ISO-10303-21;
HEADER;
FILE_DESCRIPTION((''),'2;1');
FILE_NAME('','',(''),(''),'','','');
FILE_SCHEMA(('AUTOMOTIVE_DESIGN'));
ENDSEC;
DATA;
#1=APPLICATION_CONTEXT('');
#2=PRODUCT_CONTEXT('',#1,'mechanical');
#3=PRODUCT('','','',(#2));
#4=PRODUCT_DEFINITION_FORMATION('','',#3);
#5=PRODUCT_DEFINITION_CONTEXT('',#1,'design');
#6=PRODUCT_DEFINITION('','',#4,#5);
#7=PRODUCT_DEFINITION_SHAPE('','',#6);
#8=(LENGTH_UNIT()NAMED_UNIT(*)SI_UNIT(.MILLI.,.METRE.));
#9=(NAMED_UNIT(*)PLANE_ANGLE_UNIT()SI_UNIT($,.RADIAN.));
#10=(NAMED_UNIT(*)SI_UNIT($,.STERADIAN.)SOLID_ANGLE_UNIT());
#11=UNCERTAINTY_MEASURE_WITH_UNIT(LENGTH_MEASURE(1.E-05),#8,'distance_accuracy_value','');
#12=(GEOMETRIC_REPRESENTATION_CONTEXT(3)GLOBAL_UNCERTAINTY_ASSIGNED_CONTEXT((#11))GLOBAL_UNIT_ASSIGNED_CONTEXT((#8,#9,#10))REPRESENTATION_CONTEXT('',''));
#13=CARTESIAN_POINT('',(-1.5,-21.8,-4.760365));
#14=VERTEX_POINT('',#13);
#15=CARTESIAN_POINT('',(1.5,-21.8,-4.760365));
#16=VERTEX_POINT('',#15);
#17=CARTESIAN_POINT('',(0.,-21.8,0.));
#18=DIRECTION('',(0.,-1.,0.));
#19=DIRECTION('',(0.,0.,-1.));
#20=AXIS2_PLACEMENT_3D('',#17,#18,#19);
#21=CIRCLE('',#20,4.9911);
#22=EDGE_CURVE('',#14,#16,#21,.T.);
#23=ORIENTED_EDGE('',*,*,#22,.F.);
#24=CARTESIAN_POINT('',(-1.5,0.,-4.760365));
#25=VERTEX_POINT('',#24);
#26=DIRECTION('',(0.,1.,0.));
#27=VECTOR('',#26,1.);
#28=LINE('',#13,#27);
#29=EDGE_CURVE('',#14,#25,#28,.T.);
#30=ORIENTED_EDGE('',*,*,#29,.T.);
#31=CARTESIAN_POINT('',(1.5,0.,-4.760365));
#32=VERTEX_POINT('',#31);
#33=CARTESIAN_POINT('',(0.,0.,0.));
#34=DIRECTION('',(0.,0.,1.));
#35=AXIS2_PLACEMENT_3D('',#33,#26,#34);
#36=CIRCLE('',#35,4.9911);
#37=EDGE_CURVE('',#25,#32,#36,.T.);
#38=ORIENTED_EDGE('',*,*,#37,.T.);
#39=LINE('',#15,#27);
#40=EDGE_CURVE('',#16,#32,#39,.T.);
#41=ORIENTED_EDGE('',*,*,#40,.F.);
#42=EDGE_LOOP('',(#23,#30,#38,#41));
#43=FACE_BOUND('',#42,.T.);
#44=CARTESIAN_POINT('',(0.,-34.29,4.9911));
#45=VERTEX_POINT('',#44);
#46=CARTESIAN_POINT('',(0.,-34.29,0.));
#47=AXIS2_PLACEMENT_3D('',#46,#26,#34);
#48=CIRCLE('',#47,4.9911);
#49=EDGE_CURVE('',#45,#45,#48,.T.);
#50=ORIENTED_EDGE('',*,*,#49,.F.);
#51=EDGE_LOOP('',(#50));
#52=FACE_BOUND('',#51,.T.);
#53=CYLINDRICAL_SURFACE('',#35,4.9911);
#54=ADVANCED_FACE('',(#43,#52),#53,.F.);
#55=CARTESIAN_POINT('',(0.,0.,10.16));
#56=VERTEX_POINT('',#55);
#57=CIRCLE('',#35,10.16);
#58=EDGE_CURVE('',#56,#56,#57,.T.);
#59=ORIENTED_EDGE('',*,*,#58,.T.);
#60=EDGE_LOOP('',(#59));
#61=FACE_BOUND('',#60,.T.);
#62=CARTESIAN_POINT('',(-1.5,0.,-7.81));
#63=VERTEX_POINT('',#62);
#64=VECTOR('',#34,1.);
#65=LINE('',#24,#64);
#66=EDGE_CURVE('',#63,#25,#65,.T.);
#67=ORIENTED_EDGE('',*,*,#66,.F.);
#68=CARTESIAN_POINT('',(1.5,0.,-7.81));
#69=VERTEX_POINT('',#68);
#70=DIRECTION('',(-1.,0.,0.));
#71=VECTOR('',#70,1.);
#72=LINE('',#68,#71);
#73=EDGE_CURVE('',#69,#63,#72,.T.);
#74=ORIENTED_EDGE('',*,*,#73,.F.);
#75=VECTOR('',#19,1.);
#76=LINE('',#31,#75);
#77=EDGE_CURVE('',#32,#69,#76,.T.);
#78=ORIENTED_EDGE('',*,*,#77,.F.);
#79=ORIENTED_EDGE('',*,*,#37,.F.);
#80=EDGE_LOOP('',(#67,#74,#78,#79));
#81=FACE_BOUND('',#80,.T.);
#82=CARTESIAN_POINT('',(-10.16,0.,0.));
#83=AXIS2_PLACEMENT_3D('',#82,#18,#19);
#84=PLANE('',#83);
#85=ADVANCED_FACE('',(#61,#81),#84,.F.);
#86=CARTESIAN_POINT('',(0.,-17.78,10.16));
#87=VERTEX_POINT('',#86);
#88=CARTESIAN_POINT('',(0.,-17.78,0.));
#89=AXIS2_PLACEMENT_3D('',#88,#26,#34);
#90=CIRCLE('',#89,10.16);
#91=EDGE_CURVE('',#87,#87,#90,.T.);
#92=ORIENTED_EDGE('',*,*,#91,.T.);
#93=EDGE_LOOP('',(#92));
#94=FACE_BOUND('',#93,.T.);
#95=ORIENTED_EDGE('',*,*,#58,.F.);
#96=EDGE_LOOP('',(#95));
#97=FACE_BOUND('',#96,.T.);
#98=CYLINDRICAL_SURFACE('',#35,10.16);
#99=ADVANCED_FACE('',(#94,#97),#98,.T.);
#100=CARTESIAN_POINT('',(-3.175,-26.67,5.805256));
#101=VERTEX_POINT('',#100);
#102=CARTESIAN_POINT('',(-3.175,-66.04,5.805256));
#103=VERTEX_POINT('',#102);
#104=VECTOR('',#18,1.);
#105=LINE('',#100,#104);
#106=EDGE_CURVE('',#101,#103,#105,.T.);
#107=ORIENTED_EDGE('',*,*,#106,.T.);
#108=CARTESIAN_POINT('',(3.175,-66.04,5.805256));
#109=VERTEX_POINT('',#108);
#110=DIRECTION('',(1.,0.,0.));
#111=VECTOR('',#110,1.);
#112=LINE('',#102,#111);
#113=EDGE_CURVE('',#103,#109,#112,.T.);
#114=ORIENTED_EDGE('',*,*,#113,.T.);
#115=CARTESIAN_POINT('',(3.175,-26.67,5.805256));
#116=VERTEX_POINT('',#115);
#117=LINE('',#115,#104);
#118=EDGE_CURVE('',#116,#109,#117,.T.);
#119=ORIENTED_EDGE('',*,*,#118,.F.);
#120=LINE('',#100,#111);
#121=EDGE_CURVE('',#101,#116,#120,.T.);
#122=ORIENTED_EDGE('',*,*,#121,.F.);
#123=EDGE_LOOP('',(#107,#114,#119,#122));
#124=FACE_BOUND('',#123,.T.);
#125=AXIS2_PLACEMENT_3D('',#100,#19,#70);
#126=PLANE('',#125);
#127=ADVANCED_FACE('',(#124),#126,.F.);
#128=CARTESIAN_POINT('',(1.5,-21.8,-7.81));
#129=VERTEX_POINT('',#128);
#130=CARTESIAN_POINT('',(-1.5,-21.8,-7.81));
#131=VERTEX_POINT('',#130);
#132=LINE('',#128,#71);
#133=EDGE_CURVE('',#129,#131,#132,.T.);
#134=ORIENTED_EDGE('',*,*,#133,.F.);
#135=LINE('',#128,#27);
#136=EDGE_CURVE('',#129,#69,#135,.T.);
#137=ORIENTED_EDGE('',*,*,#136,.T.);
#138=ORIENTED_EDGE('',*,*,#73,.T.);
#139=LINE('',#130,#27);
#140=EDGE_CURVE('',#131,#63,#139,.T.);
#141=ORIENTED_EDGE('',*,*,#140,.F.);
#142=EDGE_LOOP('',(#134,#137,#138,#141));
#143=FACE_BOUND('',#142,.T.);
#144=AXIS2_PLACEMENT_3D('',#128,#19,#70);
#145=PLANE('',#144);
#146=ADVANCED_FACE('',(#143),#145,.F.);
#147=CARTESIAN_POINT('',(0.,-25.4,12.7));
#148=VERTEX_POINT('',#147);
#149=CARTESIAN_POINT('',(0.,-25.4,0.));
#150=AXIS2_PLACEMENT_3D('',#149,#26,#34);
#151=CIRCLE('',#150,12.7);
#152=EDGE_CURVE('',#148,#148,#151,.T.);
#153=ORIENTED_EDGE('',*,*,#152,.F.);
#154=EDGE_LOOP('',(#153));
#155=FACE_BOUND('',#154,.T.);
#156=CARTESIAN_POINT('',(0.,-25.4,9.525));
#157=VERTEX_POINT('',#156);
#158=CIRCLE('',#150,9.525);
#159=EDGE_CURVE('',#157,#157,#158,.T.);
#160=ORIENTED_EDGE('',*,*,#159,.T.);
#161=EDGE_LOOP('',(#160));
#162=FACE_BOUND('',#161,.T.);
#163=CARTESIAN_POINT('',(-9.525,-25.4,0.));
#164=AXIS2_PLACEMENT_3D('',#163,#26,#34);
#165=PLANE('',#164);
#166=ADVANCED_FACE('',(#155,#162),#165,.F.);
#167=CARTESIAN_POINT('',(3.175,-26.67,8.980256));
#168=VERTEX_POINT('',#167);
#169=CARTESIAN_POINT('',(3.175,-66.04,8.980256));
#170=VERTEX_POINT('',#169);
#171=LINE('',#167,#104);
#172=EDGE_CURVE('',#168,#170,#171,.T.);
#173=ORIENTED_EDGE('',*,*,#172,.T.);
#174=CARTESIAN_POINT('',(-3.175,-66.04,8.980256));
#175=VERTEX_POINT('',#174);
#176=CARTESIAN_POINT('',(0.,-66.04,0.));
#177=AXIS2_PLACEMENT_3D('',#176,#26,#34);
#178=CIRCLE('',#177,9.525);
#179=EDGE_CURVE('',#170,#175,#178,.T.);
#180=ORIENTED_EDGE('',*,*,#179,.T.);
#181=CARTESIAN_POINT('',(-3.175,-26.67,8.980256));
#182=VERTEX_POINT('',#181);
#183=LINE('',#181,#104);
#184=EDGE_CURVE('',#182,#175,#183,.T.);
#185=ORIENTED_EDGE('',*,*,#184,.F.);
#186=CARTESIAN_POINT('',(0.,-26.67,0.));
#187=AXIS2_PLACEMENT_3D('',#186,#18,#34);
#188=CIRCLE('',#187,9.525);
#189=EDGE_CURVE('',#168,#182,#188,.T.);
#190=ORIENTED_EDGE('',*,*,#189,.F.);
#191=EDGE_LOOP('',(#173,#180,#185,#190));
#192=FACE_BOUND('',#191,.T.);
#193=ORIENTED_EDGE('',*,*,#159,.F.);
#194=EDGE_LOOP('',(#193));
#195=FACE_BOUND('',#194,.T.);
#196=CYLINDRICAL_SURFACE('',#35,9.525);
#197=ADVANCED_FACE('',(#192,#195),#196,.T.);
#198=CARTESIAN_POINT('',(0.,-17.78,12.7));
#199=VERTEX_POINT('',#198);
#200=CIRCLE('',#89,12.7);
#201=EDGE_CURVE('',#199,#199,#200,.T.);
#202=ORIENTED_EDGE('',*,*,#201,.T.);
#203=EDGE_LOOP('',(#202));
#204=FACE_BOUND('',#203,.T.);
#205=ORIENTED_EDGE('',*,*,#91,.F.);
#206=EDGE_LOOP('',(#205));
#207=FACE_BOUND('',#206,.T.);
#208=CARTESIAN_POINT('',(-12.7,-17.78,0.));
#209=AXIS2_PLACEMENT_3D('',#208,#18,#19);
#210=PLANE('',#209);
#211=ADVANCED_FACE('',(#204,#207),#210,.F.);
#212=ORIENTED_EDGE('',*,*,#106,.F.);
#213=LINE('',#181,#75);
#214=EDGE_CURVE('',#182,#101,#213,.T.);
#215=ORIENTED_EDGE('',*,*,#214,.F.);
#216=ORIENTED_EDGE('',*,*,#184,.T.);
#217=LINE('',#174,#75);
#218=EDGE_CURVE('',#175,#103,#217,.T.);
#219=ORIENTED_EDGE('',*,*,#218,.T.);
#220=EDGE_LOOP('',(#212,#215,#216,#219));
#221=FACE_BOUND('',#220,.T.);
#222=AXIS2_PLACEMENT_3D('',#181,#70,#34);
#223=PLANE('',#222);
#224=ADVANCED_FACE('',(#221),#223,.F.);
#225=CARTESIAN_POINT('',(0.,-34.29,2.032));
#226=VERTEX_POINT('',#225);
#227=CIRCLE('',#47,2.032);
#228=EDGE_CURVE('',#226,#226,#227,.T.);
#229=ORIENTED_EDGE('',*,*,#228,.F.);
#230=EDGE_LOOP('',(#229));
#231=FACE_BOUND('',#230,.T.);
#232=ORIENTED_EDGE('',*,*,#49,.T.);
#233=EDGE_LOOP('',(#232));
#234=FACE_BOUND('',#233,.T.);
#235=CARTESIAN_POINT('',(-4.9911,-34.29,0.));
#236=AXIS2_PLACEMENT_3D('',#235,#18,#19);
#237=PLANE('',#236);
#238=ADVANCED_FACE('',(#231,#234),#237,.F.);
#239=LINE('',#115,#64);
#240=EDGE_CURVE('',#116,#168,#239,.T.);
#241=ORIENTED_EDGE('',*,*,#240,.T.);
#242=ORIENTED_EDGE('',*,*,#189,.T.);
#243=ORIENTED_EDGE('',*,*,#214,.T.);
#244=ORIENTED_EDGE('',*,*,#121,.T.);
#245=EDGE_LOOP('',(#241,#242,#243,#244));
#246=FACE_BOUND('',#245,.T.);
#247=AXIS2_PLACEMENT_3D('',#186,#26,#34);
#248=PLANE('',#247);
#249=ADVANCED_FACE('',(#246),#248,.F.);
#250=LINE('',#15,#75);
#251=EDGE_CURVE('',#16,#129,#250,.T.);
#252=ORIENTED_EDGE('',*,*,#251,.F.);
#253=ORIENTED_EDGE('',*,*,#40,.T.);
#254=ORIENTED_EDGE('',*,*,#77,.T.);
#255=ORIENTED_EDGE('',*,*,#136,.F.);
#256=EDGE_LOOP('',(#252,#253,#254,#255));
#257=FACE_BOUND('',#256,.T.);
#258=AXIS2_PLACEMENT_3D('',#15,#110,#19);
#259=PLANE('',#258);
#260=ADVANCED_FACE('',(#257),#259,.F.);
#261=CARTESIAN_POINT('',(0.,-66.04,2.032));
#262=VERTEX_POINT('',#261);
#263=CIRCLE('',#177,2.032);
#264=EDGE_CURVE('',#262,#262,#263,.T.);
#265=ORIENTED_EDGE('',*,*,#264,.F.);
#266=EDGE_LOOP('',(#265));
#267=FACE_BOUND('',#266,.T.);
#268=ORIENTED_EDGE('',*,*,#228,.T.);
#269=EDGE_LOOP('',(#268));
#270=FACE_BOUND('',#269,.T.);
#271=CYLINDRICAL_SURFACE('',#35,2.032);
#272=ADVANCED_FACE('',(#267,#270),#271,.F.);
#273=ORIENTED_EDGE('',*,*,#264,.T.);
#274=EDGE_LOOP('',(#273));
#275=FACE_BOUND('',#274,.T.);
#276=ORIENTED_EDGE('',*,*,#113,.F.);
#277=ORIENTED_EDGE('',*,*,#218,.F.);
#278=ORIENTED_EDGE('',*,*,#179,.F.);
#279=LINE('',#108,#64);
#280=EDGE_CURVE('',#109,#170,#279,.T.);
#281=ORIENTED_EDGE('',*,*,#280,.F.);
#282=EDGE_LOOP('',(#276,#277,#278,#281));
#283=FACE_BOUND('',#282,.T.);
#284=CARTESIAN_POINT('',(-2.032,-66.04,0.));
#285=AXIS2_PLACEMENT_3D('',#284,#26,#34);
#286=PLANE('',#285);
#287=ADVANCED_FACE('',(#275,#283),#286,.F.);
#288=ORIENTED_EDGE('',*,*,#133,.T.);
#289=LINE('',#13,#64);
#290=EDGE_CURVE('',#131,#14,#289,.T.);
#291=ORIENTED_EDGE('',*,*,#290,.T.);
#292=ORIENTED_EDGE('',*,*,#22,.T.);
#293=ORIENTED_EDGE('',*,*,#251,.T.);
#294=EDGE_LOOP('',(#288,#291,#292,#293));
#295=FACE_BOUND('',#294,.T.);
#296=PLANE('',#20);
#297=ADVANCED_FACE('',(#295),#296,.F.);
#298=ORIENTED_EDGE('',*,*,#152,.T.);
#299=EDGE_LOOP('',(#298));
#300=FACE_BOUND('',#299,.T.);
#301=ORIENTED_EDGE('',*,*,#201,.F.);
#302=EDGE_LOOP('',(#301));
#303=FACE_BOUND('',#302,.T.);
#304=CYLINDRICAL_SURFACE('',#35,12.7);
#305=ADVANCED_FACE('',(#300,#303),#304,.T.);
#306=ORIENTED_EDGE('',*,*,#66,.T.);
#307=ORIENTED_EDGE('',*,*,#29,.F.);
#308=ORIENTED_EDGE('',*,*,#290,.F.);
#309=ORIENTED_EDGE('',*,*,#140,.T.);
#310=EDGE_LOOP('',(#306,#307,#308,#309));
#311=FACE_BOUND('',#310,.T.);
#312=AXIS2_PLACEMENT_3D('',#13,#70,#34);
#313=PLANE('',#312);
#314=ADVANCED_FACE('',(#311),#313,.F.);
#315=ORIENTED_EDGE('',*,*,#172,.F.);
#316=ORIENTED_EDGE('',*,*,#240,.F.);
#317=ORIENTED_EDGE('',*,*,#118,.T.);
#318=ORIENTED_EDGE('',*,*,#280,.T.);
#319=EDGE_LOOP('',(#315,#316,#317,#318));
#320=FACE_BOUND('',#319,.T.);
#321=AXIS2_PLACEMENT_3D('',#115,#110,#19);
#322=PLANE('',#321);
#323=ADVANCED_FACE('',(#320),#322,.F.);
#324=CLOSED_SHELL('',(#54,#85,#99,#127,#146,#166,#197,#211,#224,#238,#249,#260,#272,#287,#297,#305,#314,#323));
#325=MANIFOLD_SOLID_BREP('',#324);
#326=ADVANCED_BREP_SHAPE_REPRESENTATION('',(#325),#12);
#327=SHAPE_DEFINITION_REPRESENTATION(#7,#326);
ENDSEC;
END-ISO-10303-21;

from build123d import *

# Parameters (mm, degrees)
CUT_EXTRUDE1_DEPTH = 21.8
CUT_EXTRUDE2_DEPTH = 39.37


with BuildPart() as part:
    # Sketch2 → Revolve1 (revolve)
    with BuildSketch(Plane.XY):
        Polygon((-10.16, 0), (-4.9911, 0), (-4.9911, -34.29), (-2.032, -34.29), (-2.032, -66.04), (-9.525, -66.04), (-9.525, -25.4), (-12.7, -25.4), (-12.7, -17.78), (-10.16, -17.78), align=None)
    revolve(axis=Axis((0, 0, 0), (0, -1, 0)))

    # Sketch4 → Cut-Extrude1 (cut)
    with BuildSketch(Plane(origin=(0, 0, 0), x_dir=(1, 0, 0), z_dir=(0, 1, 0))):
        with BuildLine():
            Line((1.5, 4.760365449), (1.5, 7.81))
            Line((1.5, 7.81), (-1.5, 7.81))
            Line((-1.5, 7.81), (-1.5, 4.760365449))
            ThreePointArc((-1.5, 4.760365449), (0, 4.9911), (1.5, 4.760365449))
        make_face()
    extrude(amount=-CUT_EXTRUDE1_DEPTH, mode=Mode.SUBTRACT)

    # Sketch5 → Cut-Extrude2 (cut)
    with BuildSketch(Plane.XZ.offset(66.04)):
        with BuildLine():
            Line((-3.175, 8.980256121), (-3.175, 5.805256121))
            Line((-3.175, 5.805256121), (3.175, 5.805256121))
            Line((3.175, 5.805256121), (3.175, 8.980256121))
            ThreePointArc((3.175, 8.980256121), (0, 9.525), (-3.175, 8.980256121))
        make_face()
    extrude(amount=-CUT_EXTRUDE2_DEPTH, mode=Mode.SUBTRACT)


solid = part.part
